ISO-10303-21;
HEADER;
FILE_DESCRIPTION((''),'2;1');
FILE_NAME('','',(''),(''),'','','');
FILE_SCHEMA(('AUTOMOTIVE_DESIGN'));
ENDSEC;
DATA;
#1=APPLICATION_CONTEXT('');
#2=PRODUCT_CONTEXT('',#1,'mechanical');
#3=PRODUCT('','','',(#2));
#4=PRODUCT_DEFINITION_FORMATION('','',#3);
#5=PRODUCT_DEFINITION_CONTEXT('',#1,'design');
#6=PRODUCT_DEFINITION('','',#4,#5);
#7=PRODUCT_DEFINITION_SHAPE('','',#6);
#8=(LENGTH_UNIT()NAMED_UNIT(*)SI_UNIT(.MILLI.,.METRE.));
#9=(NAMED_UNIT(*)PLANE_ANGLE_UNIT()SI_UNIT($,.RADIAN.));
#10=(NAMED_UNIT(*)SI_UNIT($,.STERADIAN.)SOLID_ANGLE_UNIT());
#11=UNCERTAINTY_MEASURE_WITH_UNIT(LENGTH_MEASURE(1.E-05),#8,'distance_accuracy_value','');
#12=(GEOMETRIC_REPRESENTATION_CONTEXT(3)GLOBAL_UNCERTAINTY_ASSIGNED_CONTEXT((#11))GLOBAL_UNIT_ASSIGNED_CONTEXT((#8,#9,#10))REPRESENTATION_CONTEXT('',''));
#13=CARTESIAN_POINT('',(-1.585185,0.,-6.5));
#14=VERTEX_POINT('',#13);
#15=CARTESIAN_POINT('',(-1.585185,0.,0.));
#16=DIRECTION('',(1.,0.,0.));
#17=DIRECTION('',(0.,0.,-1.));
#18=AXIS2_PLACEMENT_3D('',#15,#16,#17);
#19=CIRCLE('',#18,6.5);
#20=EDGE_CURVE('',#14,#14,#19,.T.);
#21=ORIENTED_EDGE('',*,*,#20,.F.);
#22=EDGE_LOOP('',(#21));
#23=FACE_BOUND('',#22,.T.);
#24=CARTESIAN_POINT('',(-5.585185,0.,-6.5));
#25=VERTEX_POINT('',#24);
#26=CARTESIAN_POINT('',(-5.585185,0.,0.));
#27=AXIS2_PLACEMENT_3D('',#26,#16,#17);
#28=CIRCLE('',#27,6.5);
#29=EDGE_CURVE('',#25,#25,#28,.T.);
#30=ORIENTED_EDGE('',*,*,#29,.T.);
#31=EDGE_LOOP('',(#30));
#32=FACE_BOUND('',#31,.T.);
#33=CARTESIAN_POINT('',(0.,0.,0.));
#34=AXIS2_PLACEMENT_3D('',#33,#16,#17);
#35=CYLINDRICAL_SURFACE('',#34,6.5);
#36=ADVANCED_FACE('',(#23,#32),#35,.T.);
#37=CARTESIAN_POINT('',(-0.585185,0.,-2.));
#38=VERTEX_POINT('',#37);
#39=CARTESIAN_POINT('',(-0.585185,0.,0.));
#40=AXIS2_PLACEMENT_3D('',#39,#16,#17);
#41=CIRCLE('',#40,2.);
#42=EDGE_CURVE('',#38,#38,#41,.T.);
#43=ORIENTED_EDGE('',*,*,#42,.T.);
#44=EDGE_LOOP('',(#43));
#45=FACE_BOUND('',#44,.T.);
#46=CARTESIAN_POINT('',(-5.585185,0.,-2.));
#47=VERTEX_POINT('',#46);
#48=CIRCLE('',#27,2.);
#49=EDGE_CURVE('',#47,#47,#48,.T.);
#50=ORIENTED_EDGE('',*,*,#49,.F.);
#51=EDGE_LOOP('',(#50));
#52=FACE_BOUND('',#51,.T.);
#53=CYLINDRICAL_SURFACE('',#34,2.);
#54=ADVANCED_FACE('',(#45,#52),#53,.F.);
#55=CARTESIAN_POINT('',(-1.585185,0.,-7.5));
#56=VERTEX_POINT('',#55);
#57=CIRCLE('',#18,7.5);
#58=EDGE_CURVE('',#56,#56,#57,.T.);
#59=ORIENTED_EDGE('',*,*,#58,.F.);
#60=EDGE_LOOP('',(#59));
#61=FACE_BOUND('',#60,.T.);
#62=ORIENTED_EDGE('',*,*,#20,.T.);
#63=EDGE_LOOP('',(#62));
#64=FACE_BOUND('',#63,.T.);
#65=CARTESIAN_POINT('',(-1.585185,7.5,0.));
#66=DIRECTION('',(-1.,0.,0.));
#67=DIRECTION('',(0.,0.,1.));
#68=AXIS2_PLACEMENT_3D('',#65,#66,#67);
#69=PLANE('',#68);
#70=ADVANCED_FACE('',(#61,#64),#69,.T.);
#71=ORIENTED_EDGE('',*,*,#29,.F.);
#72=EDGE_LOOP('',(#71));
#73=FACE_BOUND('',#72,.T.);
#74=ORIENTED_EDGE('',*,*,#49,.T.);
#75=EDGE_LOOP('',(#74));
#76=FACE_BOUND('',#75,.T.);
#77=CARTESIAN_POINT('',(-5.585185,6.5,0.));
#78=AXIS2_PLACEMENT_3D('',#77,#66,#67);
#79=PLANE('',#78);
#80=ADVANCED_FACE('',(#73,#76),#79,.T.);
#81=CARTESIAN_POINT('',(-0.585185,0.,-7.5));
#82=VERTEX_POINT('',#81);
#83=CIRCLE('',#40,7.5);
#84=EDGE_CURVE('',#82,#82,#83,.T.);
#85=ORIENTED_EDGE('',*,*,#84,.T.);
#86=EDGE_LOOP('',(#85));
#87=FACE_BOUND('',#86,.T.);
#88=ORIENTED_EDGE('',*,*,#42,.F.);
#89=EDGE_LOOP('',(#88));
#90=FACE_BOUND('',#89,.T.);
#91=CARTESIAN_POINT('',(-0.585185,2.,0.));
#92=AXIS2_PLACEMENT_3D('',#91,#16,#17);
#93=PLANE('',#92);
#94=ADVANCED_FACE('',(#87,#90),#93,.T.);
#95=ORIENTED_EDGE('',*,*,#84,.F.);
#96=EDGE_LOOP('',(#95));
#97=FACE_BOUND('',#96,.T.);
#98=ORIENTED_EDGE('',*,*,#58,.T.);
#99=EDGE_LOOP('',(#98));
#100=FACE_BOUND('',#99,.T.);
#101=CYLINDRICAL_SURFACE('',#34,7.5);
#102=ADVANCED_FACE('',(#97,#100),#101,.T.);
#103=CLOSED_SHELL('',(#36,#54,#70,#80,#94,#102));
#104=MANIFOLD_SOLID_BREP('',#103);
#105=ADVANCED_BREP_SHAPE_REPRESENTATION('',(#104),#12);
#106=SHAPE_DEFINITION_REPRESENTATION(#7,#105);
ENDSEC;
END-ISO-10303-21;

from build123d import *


with BuildPart() as part:
    # Sketch1 → Revolve1 (revolve)
    with BuildSketch(Plane.XY):
        Polygon((-0.585185185, 7.5), (-1.585185185, 7.5), (-1.585185185, 6.5), (-5.585185185, 6.5), (-5.585185185, 2), (-0.585185185, 2), align=None)
    revolve(axis=Axis((0, 0, 0), (-1, 0, 0)))


solid = part.part
